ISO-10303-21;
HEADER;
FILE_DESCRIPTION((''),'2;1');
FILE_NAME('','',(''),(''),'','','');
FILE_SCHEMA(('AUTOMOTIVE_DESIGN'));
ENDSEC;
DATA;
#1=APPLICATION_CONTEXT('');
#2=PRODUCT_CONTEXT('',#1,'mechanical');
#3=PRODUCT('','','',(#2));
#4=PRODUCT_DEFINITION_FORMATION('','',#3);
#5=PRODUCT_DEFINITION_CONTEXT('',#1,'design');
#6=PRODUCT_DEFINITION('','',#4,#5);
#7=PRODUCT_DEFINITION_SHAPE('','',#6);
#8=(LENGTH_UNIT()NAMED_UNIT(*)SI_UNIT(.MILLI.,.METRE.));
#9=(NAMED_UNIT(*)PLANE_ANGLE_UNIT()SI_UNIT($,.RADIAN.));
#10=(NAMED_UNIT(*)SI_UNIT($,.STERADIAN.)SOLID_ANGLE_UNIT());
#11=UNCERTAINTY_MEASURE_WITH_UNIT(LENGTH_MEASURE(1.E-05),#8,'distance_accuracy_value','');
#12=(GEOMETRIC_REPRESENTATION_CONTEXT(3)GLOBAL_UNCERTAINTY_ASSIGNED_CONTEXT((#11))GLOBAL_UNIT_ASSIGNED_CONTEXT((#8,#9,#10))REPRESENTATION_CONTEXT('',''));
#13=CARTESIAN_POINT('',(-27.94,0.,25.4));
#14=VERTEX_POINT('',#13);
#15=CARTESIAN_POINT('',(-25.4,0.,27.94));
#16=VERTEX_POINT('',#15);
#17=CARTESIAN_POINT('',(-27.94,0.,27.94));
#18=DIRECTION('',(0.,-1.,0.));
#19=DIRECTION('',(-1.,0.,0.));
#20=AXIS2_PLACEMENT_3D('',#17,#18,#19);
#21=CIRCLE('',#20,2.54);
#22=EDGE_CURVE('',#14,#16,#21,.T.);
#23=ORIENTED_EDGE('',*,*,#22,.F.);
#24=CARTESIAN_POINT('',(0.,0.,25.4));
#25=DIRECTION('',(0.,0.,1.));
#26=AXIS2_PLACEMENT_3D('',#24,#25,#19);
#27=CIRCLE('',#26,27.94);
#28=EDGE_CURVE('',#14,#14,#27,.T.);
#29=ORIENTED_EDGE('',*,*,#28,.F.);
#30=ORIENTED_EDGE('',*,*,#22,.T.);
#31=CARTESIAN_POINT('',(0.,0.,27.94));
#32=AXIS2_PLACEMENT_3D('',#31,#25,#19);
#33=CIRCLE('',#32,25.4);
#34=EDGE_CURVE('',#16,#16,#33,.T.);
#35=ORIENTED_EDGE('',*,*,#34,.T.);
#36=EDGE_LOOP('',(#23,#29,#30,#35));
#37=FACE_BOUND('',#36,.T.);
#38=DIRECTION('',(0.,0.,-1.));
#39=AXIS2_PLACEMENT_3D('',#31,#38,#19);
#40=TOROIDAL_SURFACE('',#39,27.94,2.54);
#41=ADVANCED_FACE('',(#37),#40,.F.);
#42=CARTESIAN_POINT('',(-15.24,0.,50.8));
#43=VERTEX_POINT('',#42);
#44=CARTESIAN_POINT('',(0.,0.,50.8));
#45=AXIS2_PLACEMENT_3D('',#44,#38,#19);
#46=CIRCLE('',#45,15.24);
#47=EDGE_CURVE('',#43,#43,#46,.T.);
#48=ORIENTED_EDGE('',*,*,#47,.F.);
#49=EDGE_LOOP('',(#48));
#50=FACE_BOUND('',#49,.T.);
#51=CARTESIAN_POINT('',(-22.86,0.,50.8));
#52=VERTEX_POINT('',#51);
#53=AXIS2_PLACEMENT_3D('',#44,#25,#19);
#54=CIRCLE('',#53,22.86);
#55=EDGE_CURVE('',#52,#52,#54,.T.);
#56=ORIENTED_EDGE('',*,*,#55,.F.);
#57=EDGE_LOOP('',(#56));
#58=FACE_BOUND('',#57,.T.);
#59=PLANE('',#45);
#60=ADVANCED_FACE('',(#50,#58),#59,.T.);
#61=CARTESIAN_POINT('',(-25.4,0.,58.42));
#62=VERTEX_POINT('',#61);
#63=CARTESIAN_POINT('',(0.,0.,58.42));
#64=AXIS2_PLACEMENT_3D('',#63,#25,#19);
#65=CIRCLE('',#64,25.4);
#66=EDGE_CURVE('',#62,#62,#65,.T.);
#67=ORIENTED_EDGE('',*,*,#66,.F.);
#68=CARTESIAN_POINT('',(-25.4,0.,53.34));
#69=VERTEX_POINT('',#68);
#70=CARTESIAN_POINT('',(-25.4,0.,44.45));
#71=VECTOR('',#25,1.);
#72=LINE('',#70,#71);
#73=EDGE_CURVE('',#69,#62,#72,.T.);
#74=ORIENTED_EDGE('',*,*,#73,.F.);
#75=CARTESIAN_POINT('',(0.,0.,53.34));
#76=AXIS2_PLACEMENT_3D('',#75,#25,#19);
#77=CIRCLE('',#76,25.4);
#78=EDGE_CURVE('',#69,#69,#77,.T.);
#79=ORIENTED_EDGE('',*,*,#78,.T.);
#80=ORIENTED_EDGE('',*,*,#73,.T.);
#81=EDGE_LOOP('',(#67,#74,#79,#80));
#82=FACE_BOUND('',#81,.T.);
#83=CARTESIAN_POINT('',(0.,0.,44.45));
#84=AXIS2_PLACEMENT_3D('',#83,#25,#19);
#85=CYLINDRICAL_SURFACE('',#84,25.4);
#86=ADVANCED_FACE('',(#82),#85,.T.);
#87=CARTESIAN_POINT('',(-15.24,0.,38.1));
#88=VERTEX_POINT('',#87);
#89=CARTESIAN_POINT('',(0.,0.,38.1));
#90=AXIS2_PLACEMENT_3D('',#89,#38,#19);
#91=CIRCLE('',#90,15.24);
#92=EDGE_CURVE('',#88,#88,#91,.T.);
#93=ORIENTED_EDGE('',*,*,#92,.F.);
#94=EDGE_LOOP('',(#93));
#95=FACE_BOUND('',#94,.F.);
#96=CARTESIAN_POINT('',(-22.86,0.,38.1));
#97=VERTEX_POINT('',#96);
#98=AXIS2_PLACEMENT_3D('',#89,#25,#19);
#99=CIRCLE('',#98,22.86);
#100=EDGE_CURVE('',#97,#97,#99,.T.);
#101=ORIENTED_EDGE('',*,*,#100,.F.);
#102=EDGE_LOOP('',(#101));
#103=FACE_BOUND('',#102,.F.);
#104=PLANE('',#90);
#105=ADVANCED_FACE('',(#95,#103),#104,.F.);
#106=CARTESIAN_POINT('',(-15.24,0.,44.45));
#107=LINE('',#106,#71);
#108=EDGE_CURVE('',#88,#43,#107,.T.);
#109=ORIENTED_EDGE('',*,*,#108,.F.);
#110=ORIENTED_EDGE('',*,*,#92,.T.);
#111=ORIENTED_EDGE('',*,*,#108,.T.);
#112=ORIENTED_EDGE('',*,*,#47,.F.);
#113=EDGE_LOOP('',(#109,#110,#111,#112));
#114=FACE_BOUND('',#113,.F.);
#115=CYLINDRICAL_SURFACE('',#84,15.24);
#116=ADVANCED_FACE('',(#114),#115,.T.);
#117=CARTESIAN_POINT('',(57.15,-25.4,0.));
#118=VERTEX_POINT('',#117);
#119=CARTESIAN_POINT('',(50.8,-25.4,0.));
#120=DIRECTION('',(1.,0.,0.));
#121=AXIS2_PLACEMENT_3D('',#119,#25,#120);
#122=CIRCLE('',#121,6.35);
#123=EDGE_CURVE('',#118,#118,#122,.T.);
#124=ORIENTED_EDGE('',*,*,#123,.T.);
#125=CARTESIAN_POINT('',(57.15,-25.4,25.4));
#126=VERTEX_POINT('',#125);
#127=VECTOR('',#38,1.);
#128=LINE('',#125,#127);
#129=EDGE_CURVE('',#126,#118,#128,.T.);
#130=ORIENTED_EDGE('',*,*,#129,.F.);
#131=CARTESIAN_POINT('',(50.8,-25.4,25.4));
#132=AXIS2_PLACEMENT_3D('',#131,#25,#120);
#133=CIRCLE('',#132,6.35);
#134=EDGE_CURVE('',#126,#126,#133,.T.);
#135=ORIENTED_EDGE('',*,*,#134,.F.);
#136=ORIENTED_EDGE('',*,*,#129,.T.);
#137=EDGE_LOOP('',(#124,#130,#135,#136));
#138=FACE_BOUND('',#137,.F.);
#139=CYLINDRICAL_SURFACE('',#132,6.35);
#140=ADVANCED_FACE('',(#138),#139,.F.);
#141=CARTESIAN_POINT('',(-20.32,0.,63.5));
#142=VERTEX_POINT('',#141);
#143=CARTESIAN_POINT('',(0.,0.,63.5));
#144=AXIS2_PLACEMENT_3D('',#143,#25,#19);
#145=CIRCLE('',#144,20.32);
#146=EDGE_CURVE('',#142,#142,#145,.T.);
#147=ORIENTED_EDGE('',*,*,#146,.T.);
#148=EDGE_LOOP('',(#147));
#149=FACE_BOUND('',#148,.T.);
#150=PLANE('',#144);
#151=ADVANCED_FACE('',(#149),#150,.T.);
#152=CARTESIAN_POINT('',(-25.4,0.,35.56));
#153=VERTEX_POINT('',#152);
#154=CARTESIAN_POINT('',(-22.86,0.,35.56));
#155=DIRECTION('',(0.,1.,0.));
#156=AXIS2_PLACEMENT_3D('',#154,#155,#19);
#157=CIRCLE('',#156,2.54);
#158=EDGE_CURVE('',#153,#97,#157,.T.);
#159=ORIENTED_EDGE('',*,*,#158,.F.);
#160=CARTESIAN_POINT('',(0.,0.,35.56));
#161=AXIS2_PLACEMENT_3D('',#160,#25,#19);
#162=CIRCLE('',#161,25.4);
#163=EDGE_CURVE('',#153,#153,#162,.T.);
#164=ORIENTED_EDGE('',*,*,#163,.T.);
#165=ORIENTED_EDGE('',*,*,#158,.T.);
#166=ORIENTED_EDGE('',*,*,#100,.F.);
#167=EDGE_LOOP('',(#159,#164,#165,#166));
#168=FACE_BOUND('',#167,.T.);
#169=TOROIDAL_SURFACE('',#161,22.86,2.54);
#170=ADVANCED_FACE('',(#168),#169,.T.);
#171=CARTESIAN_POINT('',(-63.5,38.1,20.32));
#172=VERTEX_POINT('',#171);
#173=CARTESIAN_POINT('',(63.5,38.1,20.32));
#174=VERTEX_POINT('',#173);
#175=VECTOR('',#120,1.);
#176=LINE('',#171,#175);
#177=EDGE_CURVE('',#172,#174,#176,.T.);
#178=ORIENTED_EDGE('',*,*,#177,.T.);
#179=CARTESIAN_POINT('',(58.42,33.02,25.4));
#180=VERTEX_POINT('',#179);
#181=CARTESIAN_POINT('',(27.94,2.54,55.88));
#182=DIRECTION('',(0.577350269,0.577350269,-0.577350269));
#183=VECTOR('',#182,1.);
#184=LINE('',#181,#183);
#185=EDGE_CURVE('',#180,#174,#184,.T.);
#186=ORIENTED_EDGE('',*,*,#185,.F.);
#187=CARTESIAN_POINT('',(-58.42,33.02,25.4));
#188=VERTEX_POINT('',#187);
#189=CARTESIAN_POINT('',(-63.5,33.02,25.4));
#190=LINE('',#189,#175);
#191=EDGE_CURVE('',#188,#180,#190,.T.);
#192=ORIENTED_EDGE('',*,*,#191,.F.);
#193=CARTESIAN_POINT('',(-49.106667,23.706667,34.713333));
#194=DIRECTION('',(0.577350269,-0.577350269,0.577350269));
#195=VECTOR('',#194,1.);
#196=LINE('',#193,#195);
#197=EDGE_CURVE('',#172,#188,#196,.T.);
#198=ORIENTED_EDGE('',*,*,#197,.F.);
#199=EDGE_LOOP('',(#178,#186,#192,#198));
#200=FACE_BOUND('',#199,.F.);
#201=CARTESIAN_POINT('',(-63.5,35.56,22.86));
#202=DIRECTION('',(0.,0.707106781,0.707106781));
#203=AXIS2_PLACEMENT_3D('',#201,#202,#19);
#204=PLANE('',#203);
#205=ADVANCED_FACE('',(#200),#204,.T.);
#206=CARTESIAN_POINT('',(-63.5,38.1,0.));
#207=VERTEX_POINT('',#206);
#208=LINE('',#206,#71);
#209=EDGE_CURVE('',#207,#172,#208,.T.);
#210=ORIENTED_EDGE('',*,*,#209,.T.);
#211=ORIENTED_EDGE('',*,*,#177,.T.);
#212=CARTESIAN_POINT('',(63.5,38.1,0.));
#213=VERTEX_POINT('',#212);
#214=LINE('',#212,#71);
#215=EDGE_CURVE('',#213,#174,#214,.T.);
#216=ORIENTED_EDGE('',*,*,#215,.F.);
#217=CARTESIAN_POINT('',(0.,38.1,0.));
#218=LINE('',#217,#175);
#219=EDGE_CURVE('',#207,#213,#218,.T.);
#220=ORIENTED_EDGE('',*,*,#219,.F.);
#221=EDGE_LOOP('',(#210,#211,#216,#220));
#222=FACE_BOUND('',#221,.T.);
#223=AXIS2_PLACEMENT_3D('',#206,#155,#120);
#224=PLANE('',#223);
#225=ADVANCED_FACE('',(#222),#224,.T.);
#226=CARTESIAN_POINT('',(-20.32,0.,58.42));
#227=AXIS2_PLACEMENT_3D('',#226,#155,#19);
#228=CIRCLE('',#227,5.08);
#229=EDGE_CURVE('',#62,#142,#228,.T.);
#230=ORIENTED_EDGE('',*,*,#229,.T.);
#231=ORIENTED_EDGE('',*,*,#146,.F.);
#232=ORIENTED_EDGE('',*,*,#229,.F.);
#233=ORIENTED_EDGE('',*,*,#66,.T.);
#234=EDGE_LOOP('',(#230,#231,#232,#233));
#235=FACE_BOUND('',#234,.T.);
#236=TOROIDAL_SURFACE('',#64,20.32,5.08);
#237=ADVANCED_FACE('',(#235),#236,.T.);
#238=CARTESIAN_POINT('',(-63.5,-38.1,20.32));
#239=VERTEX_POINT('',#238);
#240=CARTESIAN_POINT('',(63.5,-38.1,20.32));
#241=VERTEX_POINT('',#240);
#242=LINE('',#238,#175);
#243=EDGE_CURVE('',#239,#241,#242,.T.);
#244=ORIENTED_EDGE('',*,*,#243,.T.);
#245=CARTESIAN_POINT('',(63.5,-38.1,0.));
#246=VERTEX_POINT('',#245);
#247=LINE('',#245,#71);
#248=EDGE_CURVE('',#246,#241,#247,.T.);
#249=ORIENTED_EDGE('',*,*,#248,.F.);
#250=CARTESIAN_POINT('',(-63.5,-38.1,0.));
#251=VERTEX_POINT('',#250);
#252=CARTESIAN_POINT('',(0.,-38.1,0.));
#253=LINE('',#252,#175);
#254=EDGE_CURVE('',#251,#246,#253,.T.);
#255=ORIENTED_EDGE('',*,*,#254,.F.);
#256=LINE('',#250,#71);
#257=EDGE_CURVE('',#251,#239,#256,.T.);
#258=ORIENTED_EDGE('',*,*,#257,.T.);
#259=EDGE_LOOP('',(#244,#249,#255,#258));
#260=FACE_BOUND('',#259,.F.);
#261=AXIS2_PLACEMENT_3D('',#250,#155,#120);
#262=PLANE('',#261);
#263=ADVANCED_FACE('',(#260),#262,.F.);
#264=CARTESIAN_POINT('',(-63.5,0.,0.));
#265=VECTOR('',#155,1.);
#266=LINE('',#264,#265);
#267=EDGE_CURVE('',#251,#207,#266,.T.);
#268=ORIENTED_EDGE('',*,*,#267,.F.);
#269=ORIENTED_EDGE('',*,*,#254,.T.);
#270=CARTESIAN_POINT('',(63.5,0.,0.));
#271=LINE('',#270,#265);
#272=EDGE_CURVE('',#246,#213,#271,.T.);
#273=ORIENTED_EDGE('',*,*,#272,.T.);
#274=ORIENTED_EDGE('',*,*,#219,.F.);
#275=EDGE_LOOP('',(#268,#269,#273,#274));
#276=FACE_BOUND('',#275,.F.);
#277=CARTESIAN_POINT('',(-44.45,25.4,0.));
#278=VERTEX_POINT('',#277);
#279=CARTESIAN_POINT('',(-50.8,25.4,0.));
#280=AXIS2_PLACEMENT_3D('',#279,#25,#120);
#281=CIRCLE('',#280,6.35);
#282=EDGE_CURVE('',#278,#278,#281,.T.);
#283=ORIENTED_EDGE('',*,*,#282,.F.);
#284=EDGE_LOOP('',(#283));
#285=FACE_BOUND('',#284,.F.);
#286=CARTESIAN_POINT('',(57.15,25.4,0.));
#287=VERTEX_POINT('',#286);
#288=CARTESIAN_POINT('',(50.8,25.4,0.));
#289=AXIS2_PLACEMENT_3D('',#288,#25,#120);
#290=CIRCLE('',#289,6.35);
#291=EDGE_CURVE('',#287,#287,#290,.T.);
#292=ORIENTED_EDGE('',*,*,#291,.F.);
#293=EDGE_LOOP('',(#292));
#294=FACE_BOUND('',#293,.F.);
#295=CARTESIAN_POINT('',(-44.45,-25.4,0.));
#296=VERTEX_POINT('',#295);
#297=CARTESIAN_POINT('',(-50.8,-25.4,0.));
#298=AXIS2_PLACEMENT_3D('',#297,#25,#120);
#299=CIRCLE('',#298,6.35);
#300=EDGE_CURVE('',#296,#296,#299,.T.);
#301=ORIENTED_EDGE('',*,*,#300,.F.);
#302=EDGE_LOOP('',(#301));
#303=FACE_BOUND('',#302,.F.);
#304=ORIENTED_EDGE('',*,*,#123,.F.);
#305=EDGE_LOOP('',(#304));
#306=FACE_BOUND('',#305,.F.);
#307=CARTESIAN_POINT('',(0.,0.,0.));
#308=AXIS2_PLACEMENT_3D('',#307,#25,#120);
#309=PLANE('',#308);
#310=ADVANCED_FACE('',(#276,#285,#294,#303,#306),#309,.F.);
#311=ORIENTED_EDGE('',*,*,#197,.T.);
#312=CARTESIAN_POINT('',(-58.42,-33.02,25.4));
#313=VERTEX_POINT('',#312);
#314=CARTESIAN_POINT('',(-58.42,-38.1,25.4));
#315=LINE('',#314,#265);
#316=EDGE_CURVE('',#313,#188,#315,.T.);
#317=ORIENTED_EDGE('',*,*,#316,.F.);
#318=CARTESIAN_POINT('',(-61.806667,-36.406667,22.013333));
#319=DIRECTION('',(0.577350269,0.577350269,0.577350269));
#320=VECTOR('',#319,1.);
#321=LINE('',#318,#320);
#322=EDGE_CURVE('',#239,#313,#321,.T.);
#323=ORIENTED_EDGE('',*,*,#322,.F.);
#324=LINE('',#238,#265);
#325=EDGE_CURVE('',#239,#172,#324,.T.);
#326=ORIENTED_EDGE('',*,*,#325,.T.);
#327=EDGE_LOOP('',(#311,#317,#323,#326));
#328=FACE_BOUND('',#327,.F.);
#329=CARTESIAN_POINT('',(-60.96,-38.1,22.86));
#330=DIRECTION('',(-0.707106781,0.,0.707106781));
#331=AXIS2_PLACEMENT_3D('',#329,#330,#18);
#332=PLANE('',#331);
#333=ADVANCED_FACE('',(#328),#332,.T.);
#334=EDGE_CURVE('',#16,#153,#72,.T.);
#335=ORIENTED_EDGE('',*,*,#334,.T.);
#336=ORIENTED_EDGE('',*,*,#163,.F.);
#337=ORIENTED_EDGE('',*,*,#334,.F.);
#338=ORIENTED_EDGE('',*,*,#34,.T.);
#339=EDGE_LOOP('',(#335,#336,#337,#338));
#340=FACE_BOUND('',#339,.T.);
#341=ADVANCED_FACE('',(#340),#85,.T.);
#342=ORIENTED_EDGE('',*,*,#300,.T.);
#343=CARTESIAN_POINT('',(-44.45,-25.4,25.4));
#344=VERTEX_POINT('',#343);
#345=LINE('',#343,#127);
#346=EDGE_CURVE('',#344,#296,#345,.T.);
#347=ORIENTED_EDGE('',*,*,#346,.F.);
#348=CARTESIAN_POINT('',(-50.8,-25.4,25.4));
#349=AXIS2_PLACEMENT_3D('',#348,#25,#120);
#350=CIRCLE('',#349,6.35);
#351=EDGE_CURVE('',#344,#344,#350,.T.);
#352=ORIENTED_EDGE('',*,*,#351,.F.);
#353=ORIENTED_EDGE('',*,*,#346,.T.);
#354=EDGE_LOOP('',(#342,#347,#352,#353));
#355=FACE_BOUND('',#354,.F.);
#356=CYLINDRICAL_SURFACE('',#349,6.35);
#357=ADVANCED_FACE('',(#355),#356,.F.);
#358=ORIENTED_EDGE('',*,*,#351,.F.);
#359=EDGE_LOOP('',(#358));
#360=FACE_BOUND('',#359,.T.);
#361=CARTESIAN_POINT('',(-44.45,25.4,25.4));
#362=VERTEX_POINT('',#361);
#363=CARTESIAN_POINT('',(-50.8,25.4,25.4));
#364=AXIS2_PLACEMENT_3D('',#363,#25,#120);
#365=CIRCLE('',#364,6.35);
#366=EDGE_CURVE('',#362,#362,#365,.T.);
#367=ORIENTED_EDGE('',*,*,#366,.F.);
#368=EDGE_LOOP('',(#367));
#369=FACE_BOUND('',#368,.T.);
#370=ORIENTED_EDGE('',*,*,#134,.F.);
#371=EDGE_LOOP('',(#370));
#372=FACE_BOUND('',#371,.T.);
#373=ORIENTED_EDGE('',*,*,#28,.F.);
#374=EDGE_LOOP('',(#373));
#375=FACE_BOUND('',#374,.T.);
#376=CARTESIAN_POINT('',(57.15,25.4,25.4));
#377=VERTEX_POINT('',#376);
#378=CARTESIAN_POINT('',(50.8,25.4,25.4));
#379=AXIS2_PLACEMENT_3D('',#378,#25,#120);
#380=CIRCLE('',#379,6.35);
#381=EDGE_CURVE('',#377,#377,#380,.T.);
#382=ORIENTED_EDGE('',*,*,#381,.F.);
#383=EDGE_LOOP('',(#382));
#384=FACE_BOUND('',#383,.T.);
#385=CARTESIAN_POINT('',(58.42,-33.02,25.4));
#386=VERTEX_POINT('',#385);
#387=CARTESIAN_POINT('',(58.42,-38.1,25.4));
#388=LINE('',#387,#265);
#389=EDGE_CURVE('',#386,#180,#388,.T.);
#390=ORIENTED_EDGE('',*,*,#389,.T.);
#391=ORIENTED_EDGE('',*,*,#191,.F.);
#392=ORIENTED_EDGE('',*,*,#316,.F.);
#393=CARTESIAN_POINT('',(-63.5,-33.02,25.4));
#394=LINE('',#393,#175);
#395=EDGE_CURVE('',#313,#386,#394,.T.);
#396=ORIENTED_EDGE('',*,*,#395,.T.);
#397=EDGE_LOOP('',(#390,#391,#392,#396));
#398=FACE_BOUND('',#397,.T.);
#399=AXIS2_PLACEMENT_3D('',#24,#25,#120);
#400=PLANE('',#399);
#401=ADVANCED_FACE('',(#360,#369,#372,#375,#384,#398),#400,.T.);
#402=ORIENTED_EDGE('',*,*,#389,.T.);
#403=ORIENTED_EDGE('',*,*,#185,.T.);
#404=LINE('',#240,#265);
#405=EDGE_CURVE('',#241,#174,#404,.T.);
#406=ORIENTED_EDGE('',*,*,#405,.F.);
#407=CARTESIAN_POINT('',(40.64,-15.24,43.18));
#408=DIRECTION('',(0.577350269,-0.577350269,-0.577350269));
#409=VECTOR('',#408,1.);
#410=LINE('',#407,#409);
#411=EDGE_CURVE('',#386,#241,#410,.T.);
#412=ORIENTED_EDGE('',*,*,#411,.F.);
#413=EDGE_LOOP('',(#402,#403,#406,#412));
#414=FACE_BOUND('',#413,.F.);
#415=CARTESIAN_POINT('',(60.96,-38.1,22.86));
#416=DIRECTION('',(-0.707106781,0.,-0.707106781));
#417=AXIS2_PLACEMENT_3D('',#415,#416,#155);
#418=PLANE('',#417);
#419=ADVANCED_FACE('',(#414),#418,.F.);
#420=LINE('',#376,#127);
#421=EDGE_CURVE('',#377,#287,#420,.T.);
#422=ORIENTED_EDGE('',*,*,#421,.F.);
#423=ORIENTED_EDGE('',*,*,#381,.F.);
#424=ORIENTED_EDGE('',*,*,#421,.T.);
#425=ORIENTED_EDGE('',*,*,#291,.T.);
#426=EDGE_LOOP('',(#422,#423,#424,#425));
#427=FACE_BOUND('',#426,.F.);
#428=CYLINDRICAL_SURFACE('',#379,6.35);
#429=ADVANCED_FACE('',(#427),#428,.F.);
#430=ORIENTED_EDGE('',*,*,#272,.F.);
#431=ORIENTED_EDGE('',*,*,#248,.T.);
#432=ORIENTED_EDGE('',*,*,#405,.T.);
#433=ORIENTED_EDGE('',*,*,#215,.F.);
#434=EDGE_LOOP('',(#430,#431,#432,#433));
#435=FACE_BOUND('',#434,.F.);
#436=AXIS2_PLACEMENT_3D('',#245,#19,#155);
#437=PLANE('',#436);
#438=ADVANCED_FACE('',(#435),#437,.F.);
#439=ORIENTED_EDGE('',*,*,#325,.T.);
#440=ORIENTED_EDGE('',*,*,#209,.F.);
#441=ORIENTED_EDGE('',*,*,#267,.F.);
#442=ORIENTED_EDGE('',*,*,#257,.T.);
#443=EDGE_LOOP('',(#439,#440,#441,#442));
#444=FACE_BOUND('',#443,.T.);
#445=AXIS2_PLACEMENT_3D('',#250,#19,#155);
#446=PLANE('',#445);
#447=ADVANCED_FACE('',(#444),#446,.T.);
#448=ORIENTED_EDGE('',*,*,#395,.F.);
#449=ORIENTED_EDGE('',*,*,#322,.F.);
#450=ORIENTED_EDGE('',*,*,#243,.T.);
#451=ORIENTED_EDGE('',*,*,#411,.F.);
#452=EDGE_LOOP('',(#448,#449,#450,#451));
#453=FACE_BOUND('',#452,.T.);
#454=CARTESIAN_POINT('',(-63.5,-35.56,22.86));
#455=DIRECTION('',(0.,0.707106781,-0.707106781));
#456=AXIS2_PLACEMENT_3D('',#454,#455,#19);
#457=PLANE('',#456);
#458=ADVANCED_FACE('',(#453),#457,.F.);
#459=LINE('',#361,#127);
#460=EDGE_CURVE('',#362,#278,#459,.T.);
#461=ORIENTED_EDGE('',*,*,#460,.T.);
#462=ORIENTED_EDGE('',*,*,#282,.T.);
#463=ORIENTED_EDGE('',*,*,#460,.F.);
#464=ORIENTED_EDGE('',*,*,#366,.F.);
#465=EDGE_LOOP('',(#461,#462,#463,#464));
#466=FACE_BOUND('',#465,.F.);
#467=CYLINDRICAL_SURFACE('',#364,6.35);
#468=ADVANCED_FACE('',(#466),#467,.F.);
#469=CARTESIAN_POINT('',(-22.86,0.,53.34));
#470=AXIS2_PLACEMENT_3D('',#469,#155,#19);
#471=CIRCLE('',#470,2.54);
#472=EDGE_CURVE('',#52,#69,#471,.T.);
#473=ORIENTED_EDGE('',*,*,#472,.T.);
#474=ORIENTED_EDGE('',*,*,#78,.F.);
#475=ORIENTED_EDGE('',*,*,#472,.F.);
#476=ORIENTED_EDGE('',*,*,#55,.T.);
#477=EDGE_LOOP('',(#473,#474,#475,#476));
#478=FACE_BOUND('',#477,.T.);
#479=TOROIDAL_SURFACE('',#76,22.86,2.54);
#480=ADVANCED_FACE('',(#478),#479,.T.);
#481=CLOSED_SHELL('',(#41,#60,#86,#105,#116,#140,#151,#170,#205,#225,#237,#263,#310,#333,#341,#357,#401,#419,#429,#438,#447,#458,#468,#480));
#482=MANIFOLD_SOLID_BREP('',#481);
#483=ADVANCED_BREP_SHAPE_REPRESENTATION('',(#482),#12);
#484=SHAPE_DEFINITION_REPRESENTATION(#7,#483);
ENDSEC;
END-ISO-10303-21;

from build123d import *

# Parameters (mm, degrees)
F0_W     = 127
F0_H     = 76.2
F1_DEPTH = 25.4
F2_R     = 6.35
F3_DEPTH = 25.401
F4_W     = 25.4
F4_H     = 38.1
F6_W     = 25.4
F6_H     = 12.7
F8_SIZE  = 5.08
F9_R     = 2.54
F10_R    = 5.08


with BuildPart() as f1:
    # F0 (on Top) → F1 (new body)
    with BuildSketch(Plane.XY):
        Rectangle(F0_W, F0_H)
    extrude(amount=F1_DEPTH)

    # F2 (on face) → F3 (cut, through all)
    with BuildSketch(Plane.XY.offset(25.4)):
        with Locations((50.8, 25.4)):
            Circle(F2_R)
        with Locations((50.8, -25.4)):
            Circle(F2_R)
        with Locations((-50.8, -25.4)):
            Circle(F2_R)
        with Locations((-50.8, 25.4)):
            Circle(F2_R)
    extrude(amount=-F3_DEPTH, mode=Mode.SUBTRACT)

    # F4 (on Front) → F5 (revolve)
    with BuildSketch(Plane.XZ):
        with Locations((-12.7, 44.45)):
            Rectangle(F4_W, F4_H)
    revolve(axis=Axis((0, 0, 44.45), (0, 0, 1)))

    # F6 (on Front) → F7 (revolve, cut)
    with BuildSketch(Plane.XZ):
        with Locations((-27.94, 44.45)):
            Rectangle(F6_W, F6_H)
    revolve(axis=Axis((0, 0, 63.5), (0, 0, -1)), mode=Mode.SUBTRACT)

    # F8
    f8_edges = [f1.edges().sort_by_distance(p)[0] for p in [
        (63.5, 0, 25.4),
        (0, 38.1, 25.4),
        (-63.5, 0, 25.4),
        (0, -38.1, 25.4),
    ]]
    chamfer(f8_edges, length=F8_SIZE)

    # F9
    f9_edges = [f1.edges().sort_by_distance(p)[0] for p in [
        (25.4, 0, 38.1),
        (25.4, 0, 25.4),
        (25.4, 0, 50.8),
    ]]
    fillet(f9_edges, radius=F9_R)

    # F10
    f10_edges = [f1.edges().sort_by_distance(p)[0] for p in [
        (25.4, 0, 63.5),
    ]]
    fillet(f10_edges, radius=F10_R)


solid = f1.part
